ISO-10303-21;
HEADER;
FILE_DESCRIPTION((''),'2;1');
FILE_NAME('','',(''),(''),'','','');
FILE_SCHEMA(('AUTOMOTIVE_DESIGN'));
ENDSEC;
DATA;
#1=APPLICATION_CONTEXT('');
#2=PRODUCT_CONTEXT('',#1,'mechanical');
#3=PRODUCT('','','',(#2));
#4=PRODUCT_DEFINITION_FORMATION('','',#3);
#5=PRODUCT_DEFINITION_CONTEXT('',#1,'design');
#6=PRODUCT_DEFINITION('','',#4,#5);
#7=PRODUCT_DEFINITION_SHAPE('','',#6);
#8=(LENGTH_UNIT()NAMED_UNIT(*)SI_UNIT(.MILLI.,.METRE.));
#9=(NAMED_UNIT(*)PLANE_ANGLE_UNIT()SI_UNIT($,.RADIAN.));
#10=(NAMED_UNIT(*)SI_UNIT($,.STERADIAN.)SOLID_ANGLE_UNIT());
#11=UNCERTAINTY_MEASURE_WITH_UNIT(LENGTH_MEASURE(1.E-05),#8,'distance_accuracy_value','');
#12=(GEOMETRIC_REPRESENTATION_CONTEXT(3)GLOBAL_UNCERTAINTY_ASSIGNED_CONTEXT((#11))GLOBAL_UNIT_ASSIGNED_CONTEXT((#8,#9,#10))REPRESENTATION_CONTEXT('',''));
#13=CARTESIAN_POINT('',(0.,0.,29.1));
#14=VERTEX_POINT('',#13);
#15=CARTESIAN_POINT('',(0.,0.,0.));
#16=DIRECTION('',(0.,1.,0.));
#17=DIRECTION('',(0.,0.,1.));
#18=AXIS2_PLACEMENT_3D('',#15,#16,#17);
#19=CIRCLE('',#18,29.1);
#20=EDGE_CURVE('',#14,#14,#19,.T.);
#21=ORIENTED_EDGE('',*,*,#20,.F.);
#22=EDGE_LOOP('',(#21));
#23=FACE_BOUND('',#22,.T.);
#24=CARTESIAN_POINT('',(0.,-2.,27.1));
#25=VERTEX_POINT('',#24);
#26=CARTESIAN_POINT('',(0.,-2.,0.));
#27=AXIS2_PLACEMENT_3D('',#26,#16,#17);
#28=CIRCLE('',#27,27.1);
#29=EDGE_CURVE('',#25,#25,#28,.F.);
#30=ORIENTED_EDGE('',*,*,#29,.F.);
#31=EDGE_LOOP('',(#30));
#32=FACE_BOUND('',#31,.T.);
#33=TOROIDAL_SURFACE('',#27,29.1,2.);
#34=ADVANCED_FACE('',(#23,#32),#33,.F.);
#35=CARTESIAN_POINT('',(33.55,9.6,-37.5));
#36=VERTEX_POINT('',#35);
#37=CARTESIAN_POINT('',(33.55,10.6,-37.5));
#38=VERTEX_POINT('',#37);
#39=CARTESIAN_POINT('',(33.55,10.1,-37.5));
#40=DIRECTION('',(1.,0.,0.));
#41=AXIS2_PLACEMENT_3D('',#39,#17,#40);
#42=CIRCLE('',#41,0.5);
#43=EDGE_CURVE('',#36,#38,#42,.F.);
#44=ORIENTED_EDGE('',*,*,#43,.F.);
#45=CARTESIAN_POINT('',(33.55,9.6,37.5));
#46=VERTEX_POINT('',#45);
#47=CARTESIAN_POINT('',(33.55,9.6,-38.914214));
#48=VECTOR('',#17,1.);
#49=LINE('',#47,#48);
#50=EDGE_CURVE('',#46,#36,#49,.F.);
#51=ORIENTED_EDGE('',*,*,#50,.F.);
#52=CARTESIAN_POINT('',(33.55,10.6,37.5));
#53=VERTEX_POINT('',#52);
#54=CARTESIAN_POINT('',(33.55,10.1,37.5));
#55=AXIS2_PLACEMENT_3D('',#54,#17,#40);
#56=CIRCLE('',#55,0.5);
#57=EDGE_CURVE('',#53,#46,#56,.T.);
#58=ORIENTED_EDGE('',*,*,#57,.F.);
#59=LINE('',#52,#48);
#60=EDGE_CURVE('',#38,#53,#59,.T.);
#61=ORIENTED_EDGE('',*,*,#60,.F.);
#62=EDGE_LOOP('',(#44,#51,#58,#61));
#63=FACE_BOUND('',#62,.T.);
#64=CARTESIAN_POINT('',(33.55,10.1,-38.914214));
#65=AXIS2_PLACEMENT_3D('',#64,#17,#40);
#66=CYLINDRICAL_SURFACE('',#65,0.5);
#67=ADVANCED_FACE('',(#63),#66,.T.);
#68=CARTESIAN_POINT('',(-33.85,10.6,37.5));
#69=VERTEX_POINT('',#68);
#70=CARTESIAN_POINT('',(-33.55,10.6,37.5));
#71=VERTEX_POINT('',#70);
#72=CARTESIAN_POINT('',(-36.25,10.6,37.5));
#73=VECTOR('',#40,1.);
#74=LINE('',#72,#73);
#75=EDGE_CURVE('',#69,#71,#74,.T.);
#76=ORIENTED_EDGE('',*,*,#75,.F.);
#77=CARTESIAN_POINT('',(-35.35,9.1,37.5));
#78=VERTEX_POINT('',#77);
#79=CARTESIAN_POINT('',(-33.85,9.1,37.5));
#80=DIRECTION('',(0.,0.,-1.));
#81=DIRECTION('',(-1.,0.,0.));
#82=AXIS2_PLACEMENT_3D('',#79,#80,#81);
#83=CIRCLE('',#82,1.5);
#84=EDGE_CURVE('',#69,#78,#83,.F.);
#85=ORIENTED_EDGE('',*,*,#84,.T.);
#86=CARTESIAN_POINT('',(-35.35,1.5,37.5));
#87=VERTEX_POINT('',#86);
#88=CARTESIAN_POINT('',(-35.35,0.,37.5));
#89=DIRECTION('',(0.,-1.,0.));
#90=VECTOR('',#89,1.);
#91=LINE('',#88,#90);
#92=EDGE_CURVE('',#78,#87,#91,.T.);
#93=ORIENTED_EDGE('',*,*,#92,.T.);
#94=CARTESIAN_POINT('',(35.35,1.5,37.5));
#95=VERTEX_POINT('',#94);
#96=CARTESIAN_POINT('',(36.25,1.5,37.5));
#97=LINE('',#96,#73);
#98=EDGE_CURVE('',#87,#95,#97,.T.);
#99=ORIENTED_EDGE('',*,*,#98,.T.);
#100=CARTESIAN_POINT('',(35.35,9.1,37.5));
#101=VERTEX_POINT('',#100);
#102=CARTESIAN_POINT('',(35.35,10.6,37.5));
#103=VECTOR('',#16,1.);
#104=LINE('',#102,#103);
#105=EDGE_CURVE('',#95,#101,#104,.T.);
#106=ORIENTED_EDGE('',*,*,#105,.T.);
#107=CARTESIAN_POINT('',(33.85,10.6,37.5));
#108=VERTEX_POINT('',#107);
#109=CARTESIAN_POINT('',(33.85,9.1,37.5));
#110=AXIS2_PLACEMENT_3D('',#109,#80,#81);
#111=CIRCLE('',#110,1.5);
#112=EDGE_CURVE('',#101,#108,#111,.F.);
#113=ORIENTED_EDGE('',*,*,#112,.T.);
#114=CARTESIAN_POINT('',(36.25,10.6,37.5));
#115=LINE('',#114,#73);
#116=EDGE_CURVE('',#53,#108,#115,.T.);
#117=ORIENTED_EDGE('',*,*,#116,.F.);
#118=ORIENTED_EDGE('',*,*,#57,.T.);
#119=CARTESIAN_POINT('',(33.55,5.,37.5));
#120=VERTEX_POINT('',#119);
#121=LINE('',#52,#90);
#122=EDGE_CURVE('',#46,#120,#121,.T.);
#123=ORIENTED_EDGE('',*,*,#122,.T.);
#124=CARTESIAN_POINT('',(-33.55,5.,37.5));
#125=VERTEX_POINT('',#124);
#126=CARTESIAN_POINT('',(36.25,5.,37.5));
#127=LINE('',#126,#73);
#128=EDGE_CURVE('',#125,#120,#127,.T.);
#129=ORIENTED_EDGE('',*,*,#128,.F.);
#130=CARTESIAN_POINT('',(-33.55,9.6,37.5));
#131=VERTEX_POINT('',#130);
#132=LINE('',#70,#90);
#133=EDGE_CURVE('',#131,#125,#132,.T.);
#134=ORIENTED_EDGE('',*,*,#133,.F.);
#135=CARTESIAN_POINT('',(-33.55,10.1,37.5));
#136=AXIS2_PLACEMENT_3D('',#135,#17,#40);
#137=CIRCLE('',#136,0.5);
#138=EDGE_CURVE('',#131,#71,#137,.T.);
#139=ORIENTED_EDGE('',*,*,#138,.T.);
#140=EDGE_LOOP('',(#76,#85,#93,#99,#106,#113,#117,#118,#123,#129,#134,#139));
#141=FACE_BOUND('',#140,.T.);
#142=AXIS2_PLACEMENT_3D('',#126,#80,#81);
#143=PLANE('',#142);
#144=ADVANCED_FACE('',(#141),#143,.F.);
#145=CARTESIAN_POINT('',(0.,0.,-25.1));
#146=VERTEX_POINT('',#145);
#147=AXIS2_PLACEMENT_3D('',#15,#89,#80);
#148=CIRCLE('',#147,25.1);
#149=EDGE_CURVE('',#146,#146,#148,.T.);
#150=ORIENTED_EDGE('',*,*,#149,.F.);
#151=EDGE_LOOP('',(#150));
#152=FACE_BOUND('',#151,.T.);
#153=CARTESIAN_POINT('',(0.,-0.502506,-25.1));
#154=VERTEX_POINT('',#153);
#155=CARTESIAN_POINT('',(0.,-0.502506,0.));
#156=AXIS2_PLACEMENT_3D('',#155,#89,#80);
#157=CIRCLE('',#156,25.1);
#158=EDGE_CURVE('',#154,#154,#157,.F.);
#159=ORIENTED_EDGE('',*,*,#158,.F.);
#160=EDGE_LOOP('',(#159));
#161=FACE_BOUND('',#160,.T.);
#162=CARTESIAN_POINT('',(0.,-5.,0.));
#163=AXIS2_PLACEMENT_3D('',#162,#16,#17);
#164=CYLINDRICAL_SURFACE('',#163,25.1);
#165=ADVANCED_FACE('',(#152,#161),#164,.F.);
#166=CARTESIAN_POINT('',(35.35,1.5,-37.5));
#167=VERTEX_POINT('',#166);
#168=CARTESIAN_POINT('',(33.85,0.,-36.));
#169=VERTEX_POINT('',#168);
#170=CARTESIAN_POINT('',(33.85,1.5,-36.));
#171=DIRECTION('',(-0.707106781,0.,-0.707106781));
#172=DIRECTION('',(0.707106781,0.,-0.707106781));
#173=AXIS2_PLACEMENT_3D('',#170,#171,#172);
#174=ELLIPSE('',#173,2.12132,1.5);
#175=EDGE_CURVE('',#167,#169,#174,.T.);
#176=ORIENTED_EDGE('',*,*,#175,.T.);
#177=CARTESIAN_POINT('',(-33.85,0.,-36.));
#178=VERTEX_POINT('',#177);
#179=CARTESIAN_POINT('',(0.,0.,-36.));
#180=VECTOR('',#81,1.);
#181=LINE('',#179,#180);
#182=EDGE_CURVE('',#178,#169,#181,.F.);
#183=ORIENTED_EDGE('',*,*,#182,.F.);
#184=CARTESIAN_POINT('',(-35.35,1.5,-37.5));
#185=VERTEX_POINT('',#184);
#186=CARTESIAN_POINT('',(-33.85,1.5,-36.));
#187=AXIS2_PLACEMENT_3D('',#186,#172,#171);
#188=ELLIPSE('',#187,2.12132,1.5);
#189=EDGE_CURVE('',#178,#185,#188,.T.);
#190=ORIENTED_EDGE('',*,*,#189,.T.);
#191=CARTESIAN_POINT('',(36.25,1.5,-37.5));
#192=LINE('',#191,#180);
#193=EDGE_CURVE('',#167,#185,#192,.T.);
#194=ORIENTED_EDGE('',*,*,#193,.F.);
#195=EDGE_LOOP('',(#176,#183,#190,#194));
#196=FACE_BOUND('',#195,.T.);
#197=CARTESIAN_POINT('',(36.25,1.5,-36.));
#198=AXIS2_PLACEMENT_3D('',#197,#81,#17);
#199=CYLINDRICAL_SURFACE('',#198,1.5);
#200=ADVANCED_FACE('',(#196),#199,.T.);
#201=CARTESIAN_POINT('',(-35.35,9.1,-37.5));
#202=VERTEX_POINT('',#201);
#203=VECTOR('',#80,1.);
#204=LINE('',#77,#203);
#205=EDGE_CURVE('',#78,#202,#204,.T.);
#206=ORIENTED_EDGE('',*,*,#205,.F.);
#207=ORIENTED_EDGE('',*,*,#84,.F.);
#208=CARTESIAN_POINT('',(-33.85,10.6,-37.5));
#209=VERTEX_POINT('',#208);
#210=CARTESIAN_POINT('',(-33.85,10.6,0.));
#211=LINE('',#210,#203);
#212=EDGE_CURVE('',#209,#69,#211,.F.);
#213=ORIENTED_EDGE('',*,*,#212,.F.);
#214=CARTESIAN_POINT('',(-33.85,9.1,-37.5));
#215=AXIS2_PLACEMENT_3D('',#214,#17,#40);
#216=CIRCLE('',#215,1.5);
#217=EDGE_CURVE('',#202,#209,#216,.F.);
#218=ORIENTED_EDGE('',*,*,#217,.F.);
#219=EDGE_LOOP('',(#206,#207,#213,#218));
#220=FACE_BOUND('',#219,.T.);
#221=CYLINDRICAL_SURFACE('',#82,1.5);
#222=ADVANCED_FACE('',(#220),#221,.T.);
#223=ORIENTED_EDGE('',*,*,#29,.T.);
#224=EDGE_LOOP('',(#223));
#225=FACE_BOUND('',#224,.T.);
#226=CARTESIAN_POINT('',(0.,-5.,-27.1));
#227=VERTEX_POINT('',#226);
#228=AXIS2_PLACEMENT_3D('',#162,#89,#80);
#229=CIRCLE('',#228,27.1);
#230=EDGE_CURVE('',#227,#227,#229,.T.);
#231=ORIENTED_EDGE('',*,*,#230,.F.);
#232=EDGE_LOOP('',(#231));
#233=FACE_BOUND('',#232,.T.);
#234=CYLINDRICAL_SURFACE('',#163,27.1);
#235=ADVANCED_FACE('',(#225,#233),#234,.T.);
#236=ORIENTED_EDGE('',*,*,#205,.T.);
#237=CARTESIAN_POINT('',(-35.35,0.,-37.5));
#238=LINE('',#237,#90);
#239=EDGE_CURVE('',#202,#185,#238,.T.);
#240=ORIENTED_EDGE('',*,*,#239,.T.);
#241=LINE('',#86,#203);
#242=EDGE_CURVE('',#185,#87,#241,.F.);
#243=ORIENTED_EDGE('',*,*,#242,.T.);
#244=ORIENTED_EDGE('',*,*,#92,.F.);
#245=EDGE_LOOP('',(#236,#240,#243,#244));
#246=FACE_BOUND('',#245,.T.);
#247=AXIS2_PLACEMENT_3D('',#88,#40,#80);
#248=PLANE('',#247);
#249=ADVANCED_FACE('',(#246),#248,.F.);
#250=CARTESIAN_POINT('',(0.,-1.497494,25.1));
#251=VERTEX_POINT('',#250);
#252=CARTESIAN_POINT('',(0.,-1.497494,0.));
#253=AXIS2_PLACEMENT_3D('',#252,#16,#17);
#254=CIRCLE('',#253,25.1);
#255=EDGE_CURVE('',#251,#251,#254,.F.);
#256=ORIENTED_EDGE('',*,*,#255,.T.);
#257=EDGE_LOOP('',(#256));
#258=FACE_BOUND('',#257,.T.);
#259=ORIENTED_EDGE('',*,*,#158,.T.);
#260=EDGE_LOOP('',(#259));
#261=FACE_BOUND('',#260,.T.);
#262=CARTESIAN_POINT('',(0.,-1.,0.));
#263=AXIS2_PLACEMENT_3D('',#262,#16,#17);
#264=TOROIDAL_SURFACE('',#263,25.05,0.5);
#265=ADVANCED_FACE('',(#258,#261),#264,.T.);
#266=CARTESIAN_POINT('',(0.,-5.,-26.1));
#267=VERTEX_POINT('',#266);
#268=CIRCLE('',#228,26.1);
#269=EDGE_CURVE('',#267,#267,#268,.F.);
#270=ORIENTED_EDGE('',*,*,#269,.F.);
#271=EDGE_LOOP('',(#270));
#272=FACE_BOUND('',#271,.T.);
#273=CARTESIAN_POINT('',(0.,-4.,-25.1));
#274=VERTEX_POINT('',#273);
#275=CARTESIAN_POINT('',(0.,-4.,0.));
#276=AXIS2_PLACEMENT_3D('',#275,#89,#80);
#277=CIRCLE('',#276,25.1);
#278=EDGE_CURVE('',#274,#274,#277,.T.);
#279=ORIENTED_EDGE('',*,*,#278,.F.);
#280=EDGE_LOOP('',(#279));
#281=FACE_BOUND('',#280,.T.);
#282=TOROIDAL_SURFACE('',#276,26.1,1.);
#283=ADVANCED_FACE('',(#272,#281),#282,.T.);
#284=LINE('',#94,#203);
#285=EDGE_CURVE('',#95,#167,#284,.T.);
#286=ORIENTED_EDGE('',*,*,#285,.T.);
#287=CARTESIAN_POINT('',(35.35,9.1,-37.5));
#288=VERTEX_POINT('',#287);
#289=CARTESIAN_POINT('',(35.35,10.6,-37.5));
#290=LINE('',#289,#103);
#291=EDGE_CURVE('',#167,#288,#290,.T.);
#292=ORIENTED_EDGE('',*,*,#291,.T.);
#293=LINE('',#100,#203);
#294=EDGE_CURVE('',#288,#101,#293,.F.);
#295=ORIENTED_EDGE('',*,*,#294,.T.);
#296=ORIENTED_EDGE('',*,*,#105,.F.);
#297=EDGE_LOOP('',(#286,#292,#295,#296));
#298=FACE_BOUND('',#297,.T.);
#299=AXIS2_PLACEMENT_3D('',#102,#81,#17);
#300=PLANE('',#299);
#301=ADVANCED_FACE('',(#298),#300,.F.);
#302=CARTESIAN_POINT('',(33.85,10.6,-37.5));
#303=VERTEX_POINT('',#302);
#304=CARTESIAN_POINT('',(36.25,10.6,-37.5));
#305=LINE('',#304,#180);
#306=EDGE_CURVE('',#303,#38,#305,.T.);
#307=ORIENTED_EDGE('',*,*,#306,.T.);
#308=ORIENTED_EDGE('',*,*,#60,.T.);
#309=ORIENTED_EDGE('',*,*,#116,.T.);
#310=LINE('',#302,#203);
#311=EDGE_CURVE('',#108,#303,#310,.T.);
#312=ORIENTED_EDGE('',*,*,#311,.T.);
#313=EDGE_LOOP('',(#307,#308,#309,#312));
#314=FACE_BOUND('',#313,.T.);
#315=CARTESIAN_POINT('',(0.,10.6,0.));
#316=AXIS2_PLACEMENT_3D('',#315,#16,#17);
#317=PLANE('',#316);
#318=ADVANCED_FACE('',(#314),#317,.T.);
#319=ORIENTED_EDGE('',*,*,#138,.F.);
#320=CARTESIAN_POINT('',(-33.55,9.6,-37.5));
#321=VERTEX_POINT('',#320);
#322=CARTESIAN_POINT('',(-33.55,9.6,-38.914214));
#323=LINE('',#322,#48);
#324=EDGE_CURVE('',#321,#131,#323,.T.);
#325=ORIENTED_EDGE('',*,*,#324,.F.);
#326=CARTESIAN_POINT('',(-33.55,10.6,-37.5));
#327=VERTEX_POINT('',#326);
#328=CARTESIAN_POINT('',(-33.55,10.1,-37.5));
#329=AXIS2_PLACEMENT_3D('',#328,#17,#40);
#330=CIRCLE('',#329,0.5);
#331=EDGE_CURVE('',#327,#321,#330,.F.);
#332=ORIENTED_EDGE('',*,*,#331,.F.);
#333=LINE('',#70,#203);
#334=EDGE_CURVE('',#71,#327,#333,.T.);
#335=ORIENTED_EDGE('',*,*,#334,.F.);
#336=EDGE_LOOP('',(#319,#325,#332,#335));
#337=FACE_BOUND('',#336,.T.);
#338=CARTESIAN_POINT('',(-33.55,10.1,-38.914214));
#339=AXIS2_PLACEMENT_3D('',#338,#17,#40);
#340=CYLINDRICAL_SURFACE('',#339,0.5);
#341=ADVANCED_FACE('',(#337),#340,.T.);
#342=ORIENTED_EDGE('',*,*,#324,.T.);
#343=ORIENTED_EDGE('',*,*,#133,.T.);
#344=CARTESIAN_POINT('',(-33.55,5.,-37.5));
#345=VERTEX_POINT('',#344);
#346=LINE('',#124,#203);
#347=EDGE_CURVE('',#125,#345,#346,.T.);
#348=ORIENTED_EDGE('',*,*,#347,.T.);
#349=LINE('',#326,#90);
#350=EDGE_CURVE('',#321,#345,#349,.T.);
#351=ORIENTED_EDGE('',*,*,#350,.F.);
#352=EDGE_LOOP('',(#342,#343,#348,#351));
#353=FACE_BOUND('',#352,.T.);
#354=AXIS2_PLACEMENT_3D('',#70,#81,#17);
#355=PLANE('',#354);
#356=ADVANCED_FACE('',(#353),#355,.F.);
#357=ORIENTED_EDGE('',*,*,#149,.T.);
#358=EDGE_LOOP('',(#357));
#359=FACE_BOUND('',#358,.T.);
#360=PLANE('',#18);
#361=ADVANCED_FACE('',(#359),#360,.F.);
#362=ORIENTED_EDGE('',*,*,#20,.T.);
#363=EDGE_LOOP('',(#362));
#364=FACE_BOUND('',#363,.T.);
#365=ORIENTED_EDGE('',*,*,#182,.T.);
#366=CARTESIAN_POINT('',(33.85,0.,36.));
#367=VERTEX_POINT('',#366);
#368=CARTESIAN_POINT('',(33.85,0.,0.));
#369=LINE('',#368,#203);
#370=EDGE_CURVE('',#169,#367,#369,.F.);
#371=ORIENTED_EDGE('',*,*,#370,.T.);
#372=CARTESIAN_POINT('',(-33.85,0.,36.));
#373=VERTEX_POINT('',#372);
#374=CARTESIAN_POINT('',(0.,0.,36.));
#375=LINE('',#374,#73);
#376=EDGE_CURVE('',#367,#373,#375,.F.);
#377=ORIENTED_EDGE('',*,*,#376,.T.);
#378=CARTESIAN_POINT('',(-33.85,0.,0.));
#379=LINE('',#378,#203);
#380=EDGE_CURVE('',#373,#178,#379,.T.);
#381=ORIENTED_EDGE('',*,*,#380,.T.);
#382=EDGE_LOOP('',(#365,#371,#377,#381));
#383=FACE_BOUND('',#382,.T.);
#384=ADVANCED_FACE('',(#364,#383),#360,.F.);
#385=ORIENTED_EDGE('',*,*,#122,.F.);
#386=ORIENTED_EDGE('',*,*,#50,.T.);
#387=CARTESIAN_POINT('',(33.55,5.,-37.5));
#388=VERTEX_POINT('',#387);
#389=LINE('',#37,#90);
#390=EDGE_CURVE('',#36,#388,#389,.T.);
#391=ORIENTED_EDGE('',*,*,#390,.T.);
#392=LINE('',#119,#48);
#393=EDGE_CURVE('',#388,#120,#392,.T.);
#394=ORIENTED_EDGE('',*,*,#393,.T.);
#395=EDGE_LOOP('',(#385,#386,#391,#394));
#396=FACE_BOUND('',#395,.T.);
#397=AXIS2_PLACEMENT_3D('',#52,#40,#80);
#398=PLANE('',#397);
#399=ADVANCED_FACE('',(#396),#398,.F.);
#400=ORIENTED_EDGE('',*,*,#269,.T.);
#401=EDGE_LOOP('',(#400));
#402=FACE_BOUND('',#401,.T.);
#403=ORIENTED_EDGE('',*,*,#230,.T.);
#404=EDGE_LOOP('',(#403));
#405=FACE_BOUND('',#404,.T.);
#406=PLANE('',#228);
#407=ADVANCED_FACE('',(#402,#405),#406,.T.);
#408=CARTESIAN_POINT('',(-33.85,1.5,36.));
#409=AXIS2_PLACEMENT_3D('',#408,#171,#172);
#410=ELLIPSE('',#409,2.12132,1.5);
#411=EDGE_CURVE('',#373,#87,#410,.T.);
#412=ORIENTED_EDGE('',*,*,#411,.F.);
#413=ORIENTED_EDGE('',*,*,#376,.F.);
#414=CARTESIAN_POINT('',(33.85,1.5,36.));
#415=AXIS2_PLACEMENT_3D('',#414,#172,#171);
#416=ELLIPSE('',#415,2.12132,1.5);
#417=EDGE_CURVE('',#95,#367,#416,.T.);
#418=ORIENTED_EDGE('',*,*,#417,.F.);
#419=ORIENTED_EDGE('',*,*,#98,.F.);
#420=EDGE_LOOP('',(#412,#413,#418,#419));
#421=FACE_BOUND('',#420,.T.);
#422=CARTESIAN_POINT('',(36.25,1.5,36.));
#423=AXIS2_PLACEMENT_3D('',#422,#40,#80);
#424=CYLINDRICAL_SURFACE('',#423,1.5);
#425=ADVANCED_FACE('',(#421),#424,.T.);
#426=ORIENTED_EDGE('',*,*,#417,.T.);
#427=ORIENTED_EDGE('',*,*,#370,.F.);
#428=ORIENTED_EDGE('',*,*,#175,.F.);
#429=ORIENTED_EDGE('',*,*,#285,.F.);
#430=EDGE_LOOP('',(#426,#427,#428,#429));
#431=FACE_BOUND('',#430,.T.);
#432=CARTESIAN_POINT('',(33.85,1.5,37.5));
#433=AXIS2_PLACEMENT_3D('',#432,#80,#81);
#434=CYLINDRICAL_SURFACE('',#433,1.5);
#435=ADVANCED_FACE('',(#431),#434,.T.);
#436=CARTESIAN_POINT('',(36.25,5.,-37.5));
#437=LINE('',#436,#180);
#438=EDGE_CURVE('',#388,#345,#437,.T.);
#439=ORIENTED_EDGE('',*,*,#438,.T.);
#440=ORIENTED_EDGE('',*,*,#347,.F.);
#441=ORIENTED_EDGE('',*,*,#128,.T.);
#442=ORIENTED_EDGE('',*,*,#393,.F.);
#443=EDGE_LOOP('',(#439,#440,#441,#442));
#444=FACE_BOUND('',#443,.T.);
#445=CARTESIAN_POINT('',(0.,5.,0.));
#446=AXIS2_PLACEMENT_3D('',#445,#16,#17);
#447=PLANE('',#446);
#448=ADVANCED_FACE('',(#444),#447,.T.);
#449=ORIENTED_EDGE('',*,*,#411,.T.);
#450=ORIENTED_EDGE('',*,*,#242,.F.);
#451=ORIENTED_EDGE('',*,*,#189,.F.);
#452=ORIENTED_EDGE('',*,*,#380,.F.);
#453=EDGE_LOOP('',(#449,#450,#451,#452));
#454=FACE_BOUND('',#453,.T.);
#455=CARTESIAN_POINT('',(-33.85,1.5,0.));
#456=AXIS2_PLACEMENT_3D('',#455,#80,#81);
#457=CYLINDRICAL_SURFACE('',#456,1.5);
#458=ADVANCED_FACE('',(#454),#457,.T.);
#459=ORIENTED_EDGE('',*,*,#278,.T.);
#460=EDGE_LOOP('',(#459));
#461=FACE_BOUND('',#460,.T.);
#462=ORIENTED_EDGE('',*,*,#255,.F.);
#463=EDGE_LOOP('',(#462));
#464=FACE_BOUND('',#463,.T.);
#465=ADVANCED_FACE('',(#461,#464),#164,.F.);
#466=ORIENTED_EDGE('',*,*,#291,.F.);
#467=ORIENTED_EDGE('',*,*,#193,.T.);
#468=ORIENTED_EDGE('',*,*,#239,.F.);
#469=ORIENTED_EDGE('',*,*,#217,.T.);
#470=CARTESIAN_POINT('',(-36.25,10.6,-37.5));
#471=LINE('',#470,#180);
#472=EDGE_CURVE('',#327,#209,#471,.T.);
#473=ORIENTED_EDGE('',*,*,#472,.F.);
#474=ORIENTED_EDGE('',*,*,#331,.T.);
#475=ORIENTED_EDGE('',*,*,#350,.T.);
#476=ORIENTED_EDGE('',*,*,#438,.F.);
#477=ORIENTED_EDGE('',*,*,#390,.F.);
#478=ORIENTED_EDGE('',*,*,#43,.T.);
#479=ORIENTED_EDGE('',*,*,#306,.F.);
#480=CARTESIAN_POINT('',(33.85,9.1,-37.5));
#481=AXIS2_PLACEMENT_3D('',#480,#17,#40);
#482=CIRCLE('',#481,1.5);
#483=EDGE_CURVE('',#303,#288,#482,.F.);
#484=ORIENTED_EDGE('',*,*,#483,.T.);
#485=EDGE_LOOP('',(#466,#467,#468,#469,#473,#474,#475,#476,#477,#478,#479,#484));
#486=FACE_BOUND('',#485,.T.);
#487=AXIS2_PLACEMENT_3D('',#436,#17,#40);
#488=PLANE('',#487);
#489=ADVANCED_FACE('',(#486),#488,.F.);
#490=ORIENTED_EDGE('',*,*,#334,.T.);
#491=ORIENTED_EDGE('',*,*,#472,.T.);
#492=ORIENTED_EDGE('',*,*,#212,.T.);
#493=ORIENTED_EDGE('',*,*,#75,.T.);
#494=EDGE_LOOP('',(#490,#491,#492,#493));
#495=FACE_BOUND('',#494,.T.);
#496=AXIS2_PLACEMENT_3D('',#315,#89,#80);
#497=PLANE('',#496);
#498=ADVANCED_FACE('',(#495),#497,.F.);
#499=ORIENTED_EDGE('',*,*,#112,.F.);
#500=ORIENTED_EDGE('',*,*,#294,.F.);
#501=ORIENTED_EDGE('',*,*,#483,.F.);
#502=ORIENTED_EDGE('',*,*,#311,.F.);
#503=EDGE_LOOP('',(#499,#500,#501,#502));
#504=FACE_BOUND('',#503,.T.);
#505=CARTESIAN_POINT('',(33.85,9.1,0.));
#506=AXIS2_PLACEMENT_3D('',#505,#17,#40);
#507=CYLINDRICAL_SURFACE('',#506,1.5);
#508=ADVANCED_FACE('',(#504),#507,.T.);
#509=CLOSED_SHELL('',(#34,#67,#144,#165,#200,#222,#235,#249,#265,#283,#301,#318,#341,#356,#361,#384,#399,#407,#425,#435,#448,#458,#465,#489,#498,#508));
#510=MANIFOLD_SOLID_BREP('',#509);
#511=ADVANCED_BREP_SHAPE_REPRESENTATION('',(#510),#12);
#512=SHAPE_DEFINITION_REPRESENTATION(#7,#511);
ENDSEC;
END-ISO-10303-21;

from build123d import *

# Parameters (mm, degrees)
SKETCH1_W           = 72.5
SKETCH1_H           = 75
BOSS_EXTRUDE1_DEPTH = 5
SKETCH2_R           = 27.1
SKETCH2_R_2         = 25.1
BOSS_EXTRUDE2_DEPTH = 5
SKETCH4_W           = 2.7
SKETCH4_H           = 75
BOSS_EXTRUDE3_DEPTH = 5.6
SKETCH5_R           = 0.5
BOSS_EXTRUDE4_DEPTH = 75
SKETCH6_W           = 0.9
SKETCH6_H           = 10.6
CUT_EXTRUDE1_DEPTH  = 84.972748556
FILLET1_R           = 2
FILLET2_R           = 1
FILLET3_R           = 1.5
FILLET4_R           = 1.5
SKETCH3_R           = 0.5


with BuildPart() as part:
    # Sketch1 → Boss-Extrude1 (new body)
    with BuildSketch(Plane(origin=(0, 0, 0), x_dir=(1, 0, 0), z_dir=(0, 1, 0))):
        Rectangle(SKETCH1_W, SKETCH1_H)
    extrude(amount=BOSS_EXTRUDE1_DEPTH)

    # Sketch2 → Boss-Extrude2 (add)
    with BuildSketch(Plane.XZ):
        with Locations(Location((0, 0, 0), (0, 0, 90))):
            Circle(SKETCH2_R)
        with Locations(Location((0, 0, 0), (0, 0, 270))):
            Circle(SKETCH2_R_2, mode=Mode.SUBTRACT)
    extrude(amount=BOSS_EXTRUDE2_DEPTH)

    # Sketch4 → Boss-Extrude3 (add)
    with BuildSketch(Plane(origin=(0, 5, 0), x_dir=(1, 0, 0), z_dir=(0, 1, 0))):
        with Locations((-34.9, 0)):
            Rectangle(SKETCH4_W, SKETCH4_H)
        with Locations((34.9, 0)):
            Rectangle(SKETCH4_W, SKETCH4_H)
    extrude(amount=BOSS_EXTRUDE3_DEPTH)

    # Sketch5 → Boss-Extrude4 (add)
    with BuildSketch(Plane.XY.offset(37.5)):
        with Locations((-33.55, 10.1)):
            Circle(SKETCH5_R)
        with Locations((33.55, 10.1)):
            Circle(SKETCH5_R)
    extrude(amount=-BOSS_EXTRUDE4_DEPTH)

    # Sketch6 → Cut-Extrude1 (cut, through all)
    with BuildSketch(Plane(origin=(0, 0, -37.5), x_dir=(-1, 0, 0), z_dir=(0, 0, -1))):
        with Locations((-35.8, 5.3)):
            Rectangle(SKETCH6_W, SKETCH6_H)
        with Locations((35.8, 5.3)):
            Rectangle(SKETCH6_W, SKETCH6_H)
    extrude(amount=-CUT_EXTRUDE1_DEPTH, mode=Mode.SUBTRACT)

    # Fillet1
    fillet1_edges = [part.edges().sort_by_distance(p)[0] for p in [
        (0, 0, -27.1),
    ]]
    fillet(fillet1_edges, radius=FILLET1_R)

    # Fillet2
    fillet2_edges = [part.edges().sort_by_distance(p)[0] for p in [
        (0, -5, 25.1),
    ]]
    fillet(fillet2_edges, radius=FILLET2_R)

    # Fillet3
    fillet3_edges = [part.edges().sort_by_distance(p)[0] for p in [
        (0, 0, -37.5),
        (0, 0, 37.5),
        (35.35, 0, 0),
        (-35.35, 0, 0),
    ]]
    fillet(fillet3_edges, radius=FILLET3_R)

    # Fillet4
    fillet4_edges = [part.edges().sort_by_distance(p)[0] for p in [
        (35.35, 10.6, 0),
        (-35.35, 10.6, 0),
    ]]
    fillet(fillet4_edges, radius=FILLET4_R)

    # Sketch3 → Revolve1 (revolve)
    with BuildSketch(Plane(origin=(0, 0, 0), x_dir=(0, 0, -1), z_dir=(1, 0, 0))):
        with Locations((-25.05, -1)):
            Circle(SKETCH3_R)
    revolve(axis=Axis((0, 0, 0), (0, -1, 0)))


solid = part.part
